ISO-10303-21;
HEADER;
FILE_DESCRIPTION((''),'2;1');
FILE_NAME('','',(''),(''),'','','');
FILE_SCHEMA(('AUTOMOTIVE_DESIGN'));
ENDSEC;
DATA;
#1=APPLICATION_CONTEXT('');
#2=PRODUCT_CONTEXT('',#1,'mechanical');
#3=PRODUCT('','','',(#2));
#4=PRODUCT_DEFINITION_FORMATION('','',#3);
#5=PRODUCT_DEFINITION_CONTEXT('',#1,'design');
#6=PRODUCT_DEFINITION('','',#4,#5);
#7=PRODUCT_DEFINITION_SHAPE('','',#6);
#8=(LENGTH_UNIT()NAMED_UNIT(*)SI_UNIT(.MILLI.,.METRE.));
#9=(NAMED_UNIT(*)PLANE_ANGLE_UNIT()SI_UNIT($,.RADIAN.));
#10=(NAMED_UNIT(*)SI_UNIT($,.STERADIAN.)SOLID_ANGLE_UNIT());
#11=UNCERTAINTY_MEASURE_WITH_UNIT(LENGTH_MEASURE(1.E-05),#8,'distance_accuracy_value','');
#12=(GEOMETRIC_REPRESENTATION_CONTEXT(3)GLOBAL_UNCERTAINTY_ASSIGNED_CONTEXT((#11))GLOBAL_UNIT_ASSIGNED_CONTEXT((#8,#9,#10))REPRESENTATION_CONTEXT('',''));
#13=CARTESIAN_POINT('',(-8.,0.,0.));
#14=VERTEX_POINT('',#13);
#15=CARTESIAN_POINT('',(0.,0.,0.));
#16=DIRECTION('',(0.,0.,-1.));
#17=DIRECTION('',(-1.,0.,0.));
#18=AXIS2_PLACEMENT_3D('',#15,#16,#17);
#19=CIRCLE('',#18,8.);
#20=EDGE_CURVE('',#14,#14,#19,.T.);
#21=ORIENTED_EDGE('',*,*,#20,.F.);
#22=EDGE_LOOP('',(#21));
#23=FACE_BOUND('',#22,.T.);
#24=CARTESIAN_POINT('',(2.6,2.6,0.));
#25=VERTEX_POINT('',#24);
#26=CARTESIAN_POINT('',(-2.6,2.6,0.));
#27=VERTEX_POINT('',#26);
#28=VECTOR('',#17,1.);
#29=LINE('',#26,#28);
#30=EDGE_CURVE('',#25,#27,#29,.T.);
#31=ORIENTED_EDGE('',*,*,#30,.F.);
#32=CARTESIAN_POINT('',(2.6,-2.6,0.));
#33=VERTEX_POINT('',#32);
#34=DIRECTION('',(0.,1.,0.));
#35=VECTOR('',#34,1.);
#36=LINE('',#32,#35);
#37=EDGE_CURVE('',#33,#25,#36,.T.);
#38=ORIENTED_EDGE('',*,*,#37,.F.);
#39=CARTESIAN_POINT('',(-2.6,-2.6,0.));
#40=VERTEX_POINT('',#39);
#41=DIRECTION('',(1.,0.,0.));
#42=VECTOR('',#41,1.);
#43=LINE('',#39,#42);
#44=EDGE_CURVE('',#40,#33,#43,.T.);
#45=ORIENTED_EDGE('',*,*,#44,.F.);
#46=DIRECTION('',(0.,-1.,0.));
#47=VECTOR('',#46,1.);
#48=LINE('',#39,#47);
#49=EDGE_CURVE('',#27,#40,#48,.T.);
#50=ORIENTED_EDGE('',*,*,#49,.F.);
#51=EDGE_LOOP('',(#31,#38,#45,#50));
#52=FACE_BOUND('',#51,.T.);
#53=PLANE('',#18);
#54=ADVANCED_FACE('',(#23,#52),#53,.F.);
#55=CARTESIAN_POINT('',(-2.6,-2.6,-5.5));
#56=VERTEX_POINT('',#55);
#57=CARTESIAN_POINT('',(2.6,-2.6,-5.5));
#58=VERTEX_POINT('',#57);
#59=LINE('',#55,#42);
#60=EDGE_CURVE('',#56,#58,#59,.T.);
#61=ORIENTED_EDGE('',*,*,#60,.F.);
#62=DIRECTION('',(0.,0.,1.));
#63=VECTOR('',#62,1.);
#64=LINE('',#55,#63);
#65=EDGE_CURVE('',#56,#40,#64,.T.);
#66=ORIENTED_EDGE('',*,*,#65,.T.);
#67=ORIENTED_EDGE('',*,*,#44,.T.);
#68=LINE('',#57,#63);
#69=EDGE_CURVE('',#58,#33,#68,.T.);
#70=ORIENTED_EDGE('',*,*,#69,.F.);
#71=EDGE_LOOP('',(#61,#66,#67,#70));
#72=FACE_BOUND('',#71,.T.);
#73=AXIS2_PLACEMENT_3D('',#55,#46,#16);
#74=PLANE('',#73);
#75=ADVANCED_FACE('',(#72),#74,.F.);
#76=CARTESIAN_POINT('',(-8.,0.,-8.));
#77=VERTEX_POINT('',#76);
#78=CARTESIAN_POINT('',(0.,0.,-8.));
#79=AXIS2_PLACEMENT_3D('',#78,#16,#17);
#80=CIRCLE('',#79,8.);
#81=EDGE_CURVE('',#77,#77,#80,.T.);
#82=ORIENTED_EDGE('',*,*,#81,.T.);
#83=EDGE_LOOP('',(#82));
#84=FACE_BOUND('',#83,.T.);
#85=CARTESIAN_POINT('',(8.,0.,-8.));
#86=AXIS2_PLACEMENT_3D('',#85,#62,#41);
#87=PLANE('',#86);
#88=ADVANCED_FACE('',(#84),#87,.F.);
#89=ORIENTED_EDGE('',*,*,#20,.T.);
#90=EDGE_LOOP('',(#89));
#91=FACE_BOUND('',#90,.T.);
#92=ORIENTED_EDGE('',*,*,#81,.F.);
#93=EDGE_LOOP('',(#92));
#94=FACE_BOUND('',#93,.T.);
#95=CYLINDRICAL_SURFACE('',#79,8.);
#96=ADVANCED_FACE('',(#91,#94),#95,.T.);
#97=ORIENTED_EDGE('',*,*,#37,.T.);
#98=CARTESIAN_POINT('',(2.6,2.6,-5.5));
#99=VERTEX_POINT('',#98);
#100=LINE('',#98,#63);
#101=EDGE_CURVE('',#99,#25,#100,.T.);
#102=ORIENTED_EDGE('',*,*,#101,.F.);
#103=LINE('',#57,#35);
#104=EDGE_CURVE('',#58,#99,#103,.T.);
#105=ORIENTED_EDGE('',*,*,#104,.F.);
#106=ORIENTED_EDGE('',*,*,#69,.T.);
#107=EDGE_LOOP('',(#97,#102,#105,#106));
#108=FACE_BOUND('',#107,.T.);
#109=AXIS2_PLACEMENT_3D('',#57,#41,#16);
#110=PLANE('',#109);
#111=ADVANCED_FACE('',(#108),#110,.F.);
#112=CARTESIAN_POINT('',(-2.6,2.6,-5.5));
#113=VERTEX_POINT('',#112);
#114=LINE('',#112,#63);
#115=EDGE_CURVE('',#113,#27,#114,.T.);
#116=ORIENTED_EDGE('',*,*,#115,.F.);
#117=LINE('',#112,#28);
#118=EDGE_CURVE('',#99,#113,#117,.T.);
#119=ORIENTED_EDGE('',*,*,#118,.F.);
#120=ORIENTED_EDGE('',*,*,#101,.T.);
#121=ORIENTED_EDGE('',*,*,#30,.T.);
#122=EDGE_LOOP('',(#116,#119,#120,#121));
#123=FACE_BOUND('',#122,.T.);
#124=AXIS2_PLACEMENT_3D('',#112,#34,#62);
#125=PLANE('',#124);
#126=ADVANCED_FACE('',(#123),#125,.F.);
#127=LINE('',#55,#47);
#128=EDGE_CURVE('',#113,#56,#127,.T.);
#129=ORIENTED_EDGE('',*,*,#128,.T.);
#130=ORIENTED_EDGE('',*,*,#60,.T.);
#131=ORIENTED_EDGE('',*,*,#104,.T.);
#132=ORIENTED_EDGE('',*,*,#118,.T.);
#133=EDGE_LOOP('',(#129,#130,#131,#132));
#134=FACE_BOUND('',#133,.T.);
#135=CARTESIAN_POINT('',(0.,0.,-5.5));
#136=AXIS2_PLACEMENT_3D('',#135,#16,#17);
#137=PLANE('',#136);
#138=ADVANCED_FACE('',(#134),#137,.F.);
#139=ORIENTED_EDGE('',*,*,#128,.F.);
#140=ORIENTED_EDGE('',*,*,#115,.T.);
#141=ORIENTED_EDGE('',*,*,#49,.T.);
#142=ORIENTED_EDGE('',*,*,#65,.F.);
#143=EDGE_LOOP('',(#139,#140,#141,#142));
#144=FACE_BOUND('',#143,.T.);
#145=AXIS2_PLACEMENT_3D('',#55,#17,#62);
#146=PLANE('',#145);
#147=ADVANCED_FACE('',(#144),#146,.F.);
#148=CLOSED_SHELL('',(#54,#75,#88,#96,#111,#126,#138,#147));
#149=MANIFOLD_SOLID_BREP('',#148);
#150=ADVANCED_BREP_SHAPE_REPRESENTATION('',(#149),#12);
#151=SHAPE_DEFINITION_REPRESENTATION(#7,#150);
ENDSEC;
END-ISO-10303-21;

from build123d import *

# Parameters (mm, degrees)
ESQUISSE1_W             = 8
ESQUISSE1_H             = 8
ESQUISSE3_W             = 5.2
ESQUISSE3_H             = 5.2
ENL_V_MAT_EXTRU_1_DEPTH = 5.5


with BuildPart() as part:
    # Esquisse1 → Révolution2 (revolve)
    with BuildSketch(Plane(origin=(0, 0, 0), x_dir=(1, 0, 0), z_dir=(0, 1, 0)), mode=Mode.PRIVATE) as r_volution2_sk:
        with Locations((4, 4)):
            Rectangle(ESQUISSE1_W, ESQUISSE1_H)
    revolve(r_volution2_sk.sketch.rotate(Axis((0, 0, -8), (0, 0, 1)), 180), axis=Axis((0, 0, -8), (0, 0, 1)))

    # Esquisse3 → Enlèv. mat.-Extru.1 (cut)
    with BuildSketch(Plane.XY):
        Rectangle(ESQUISSE3_W, ESQUISSE3_H)
    extrude(amount=-ENL_V_MAT_EXTRU_1_DEPTH, mode=Mode.SUBTRACT)


solid = part.part
